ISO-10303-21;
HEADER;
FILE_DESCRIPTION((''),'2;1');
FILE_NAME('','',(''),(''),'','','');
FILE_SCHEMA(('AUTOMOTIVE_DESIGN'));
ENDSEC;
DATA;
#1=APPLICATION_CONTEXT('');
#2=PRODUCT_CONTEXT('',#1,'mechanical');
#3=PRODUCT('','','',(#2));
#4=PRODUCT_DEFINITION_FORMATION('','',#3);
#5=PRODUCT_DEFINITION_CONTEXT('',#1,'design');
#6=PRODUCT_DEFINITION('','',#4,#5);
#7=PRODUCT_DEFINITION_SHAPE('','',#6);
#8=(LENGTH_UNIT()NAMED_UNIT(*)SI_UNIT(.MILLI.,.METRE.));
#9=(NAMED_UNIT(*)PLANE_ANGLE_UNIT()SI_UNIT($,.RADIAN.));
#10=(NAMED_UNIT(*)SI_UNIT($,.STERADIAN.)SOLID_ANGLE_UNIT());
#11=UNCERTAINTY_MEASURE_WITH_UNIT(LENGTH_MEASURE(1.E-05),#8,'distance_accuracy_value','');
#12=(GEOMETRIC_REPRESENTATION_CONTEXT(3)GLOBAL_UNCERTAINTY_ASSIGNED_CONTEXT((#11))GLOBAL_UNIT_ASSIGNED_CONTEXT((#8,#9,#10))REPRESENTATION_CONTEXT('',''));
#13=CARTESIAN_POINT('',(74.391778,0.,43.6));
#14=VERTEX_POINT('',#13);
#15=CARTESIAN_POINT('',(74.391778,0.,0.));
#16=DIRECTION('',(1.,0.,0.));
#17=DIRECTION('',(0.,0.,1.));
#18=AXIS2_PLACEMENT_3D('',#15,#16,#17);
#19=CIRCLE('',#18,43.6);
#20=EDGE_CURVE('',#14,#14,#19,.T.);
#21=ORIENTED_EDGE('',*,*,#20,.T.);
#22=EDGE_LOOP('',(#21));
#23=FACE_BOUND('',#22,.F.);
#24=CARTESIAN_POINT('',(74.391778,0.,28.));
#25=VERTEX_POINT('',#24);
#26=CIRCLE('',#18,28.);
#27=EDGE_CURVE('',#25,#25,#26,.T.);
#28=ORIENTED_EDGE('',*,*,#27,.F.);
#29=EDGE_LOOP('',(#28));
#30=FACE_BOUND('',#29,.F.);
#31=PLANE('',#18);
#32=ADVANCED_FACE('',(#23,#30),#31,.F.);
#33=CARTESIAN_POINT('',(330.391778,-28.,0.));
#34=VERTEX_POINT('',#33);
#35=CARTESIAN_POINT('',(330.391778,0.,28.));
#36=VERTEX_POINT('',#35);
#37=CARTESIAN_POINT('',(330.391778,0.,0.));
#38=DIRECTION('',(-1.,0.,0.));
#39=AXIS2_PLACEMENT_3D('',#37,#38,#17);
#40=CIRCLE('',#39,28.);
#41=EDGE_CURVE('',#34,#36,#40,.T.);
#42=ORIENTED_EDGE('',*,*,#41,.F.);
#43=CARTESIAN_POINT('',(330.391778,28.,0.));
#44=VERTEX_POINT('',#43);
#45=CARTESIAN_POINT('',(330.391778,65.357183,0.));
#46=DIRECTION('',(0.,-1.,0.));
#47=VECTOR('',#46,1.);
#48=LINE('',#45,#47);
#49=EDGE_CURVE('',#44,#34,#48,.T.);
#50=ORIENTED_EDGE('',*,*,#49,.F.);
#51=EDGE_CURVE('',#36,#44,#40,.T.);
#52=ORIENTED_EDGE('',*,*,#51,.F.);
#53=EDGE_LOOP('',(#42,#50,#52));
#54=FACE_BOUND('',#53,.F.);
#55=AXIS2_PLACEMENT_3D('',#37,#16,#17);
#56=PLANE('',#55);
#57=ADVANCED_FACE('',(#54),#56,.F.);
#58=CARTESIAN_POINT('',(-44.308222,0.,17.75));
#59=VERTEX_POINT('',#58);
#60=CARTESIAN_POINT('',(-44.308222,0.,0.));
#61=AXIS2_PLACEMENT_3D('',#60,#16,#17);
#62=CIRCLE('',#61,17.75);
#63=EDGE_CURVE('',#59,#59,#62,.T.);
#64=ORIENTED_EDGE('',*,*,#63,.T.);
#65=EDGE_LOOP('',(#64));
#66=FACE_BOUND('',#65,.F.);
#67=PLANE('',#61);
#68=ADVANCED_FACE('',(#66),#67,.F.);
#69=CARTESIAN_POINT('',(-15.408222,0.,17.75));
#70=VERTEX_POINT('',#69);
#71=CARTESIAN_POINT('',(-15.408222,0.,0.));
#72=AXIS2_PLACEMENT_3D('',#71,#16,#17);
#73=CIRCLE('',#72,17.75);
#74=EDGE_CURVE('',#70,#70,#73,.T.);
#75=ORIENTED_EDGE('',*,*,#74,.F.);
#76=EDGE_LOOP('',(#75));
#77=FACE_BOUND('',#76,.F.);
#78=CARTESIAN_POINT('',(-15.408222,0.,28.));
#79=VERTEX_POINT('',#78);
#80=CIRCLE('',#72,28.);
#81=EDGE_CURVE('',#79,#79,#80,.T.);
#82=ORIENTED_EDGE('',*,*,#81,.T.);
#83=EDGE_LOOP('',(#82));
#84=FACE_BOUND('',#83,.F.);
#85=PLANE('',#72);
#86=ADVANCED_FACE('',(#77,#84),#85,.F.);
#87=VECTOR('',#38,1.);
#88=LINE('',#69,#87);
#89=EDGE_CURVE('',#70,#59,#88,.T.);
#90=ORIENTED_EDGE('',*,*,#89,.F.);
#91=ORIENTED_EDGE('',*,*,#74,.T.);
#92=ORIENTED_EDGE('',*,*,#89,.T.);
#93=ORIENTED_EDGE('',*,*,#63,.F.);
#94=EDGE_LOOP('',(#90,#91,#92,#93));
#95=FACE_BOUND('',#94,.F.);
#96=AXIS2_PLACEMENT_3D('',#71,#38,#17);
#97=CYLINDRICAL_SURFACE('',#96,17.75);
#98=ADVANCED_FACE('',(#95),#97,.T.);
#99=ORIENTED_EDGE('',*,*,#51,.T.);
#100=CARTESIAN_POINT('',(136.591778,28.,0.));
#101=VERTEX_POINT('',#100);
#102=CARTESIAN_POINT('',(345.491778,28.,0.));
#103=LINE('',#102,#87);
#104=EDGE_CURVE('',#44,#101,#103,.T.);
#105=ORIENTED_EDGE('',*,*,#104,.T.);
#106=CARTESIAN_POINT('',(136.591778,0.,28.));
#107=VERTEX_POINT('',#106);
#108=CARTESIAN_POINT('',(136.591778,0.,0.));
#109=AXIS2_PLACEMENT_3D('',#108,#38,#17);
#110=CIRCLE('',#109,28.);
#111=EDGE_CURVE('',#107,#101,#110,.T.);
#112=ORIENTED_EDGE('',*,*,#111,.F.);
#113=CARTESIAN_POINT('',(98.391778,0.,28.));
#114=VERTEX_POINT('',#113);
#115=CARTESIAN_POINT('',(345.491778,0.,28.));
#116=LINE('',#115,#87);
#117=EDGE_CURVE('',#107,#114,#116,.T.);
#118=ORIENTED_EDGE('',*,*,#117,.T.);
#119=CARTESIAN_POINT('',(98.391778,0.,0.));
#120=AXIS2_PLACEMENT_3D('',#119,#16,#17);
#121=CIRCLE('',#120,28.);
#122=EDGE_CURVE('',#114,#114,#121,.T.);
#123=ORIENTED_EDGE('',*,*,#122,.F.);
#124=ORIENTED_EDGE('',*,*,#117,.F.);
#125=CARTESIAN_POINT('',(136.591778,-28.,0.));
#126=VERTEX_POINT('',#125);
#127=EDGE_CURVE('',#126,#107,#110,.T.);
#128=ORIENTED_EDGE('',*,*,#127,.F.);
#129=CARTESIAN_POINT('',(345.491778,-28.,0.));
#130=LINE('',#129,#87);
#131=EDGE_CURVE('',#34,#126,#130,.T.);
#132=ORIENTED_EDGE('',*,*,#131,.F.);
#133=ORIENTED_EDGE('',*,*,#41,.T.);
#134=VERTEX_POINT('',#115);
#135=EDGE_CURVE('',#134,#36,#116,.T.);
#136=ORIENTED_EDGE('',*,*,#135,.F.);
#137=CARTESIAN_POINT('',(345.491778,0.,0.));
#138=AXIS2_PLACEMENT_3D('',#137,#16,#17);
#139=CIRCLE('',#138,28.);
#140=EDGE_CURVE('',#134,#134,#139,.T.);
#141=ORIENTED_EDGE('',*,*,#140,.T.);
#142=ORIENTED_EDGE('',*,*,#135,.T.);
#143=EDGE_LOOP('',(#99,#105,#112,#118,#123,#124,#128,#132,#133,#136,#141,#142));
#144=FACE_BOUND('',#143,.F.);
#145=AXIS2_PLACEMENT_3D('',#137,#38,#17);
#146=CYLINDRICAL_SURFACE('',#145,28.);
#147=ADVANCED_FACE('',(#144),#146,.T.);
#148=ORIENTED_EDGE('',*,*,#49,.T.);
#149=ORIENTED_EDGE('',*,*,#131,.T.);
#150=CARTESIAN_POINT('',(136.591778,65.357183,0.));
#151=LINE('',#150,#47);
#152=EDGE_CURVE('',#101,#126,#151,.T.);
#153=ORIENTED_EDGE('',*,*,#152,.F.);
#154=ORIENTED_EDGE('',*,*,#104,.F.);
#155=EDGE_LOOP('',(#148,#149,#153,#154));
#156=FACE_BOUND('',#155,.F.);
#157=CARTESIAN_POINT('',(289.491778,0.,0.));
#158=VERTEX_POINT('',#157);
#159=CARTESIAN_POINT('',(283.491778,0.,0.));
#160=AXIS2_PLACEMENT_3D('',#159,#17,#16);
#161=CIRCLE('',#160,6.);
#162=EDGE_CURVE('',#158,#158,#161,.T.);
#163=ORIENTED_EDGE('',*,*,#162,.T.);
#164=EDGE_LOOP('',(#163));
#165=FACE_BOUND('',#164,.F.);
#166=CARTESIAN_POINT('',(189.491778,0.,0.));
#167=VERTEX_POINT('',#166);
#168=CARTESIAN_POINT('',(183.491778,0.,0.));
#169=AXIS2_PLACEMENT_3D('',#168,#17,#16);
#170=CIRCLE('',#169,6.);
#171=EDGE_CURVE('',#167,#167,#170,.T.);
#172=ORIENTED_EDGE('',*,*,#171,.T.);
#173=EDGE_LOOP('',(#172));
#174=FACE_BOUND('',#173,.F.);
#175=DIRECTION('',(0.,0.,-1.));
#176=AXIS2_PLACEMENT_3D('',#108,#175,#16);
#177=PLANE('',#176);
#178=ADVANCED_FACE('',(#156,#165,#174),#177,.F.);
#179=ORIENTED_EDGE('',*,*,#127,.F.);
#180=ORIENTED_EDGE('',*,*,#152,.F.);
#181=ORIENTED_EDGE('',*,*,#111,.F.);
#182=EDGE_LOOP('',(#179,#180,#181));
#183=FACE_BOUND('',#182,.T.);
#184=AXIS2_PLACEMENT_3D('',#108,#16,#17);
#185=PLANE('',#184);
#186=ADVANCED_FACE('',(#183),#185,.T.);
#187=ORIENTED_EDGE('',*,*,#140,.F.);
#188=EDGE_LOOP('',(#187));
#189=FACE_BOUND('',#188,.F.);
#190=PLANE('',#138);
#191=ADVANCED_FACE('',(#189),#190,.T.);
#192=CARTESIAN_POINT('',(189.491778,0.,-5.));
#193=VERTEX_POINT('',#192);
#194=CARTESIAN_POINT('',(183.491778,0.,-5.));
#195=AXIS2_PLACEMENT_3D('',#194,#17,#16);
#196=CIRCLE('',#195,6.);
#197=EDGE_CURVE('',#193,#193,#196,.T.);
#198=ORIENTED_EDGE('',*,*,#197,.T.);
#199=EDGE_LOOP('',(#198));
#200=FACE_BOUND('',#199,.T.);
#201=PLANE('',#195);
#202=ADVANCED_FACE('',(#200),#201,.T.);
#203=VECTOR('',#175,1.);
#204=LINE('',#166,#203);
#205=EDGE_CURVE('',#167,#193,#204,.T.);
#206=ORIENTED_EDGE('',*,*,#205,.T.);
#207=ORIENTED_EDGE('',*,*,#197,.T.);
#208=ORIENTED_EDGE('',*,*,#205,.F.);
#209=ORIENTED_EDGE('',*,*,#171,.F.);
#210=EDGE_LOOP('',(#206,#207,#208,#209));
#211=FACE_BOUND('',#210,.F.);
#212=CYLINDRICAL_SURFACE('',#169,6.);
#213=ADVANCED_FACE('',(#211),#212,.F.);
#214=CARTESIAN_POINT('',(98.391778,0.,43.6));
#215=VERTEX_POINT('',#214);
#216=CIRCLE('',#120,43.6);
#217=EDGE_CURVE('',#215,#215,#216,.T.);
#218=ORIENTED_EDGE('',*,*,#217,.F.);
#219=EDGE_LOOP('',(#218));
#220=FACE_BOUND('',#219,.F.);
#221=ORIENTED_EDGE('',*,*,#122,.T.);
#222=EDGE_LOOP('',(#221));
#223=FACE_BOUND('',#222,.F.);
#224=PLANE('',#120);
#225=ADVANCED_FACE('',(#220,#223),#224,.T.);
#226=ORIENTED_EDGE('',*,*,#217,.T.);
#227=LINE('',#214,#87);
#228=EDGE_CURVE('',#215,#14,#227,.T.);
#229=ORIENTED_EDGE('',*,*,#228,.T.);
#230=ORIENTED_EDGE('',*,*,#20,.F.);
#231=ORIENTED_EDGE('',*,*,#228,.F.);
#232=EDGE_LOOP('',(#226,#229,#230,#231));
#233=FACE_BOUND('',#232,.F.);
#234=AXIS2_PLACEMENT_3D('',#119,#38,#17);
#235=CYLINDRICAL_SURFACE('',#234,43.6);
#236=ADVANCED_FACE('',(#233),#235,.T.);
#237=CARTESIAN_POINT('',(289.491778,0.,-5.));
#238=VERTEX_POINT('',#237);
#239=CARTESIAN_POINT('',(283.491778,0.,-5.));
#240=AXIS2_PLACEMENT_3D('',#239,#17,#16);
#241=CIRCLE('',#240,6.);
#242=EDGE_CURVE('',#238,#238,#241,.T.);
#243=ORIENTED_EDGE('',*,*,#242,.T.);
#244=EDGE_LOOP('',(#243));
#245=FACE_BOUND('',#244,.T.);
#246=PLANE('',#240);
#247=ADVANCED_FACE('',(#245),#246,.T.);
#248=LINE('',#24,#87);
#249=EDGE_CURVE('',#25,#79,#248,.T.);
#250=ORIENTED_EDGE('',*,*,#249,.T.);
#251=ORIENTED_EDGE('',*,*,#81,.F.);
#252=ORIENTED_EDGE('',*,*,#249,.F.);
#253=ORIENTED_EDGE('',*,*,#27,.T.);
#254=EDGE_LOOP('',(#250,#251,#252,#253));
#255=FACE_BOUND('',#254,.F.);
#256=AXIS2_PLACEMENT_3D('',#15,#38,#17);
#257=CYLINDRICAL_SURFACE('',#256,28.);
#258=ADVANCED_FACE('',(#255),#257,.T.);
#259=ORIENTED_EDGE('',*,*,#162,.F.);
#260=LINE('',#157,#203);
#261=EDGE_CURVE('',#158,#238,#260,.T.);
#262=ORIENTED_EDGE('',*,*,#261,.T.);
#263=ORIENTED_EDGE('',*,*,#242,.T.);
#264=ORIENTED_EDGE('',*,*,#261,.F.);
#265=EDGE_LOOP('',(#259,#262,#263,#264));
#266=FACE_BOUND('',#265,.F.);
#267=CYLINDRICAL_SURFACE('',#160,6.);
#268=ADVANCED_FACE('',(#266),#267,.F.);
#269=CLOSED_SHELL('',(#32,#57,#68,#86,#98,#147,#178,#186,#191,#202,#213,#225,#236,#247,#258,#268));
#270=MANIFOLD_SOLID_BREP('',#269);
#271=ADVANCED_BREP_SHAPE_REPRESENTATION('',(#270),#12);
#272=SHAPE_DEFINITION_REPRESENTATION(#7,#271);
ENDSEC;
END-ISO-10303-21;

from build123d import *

# Parameters (mm, degrees)
F3_W     = 193.8
F3_H     = 30.8805991608
F2_DEPTH = 65.3571831062
F4_R     = 6
F5_DEPTH = 5


with BuildPart() as f1:
    # F0 (on Front) → F1 (revolve)
    with BuildSketch(Plane.XZ):
        Polygon((-44.3082220923, 17.75), (-44.3082220923, 0), (345.4917779077, 0), (345.4917779077, 28), (98.3917779077, 28), (98.3917779077, 43.6), (74.3917779077, 43.6), (74.3917779077, 28), (-15.4082220923, 28), (-15.4082220923, 17.75), align=None)
    revolve(axis=Axis((24.5496360249, 0, 0), (1, 0, 0)))

    # F3 (on Front) → F2 (cut, symmetric)
    with BuildSketch(Plane.XZ):
        with Locations((233.4917779077, 15.4402995804)):
            Rectangle(F3_W, F3_H)
    extrude(amount=F2_DEPTH, both=True, mode=Mode.SUBTRACT)

    # F4 (on face) → F5 (cut)
    with BuildSketch(Plane.XY):
        with Locations((183.4917779077, 0)):
            Circle(F4_R)
        with Locations((283.4917779077, 0)):
            Circle(F4_R)
    extrude(amount=-F5_DEPTH, mode=Mode.SUBTRACT)


solid = f1.part
